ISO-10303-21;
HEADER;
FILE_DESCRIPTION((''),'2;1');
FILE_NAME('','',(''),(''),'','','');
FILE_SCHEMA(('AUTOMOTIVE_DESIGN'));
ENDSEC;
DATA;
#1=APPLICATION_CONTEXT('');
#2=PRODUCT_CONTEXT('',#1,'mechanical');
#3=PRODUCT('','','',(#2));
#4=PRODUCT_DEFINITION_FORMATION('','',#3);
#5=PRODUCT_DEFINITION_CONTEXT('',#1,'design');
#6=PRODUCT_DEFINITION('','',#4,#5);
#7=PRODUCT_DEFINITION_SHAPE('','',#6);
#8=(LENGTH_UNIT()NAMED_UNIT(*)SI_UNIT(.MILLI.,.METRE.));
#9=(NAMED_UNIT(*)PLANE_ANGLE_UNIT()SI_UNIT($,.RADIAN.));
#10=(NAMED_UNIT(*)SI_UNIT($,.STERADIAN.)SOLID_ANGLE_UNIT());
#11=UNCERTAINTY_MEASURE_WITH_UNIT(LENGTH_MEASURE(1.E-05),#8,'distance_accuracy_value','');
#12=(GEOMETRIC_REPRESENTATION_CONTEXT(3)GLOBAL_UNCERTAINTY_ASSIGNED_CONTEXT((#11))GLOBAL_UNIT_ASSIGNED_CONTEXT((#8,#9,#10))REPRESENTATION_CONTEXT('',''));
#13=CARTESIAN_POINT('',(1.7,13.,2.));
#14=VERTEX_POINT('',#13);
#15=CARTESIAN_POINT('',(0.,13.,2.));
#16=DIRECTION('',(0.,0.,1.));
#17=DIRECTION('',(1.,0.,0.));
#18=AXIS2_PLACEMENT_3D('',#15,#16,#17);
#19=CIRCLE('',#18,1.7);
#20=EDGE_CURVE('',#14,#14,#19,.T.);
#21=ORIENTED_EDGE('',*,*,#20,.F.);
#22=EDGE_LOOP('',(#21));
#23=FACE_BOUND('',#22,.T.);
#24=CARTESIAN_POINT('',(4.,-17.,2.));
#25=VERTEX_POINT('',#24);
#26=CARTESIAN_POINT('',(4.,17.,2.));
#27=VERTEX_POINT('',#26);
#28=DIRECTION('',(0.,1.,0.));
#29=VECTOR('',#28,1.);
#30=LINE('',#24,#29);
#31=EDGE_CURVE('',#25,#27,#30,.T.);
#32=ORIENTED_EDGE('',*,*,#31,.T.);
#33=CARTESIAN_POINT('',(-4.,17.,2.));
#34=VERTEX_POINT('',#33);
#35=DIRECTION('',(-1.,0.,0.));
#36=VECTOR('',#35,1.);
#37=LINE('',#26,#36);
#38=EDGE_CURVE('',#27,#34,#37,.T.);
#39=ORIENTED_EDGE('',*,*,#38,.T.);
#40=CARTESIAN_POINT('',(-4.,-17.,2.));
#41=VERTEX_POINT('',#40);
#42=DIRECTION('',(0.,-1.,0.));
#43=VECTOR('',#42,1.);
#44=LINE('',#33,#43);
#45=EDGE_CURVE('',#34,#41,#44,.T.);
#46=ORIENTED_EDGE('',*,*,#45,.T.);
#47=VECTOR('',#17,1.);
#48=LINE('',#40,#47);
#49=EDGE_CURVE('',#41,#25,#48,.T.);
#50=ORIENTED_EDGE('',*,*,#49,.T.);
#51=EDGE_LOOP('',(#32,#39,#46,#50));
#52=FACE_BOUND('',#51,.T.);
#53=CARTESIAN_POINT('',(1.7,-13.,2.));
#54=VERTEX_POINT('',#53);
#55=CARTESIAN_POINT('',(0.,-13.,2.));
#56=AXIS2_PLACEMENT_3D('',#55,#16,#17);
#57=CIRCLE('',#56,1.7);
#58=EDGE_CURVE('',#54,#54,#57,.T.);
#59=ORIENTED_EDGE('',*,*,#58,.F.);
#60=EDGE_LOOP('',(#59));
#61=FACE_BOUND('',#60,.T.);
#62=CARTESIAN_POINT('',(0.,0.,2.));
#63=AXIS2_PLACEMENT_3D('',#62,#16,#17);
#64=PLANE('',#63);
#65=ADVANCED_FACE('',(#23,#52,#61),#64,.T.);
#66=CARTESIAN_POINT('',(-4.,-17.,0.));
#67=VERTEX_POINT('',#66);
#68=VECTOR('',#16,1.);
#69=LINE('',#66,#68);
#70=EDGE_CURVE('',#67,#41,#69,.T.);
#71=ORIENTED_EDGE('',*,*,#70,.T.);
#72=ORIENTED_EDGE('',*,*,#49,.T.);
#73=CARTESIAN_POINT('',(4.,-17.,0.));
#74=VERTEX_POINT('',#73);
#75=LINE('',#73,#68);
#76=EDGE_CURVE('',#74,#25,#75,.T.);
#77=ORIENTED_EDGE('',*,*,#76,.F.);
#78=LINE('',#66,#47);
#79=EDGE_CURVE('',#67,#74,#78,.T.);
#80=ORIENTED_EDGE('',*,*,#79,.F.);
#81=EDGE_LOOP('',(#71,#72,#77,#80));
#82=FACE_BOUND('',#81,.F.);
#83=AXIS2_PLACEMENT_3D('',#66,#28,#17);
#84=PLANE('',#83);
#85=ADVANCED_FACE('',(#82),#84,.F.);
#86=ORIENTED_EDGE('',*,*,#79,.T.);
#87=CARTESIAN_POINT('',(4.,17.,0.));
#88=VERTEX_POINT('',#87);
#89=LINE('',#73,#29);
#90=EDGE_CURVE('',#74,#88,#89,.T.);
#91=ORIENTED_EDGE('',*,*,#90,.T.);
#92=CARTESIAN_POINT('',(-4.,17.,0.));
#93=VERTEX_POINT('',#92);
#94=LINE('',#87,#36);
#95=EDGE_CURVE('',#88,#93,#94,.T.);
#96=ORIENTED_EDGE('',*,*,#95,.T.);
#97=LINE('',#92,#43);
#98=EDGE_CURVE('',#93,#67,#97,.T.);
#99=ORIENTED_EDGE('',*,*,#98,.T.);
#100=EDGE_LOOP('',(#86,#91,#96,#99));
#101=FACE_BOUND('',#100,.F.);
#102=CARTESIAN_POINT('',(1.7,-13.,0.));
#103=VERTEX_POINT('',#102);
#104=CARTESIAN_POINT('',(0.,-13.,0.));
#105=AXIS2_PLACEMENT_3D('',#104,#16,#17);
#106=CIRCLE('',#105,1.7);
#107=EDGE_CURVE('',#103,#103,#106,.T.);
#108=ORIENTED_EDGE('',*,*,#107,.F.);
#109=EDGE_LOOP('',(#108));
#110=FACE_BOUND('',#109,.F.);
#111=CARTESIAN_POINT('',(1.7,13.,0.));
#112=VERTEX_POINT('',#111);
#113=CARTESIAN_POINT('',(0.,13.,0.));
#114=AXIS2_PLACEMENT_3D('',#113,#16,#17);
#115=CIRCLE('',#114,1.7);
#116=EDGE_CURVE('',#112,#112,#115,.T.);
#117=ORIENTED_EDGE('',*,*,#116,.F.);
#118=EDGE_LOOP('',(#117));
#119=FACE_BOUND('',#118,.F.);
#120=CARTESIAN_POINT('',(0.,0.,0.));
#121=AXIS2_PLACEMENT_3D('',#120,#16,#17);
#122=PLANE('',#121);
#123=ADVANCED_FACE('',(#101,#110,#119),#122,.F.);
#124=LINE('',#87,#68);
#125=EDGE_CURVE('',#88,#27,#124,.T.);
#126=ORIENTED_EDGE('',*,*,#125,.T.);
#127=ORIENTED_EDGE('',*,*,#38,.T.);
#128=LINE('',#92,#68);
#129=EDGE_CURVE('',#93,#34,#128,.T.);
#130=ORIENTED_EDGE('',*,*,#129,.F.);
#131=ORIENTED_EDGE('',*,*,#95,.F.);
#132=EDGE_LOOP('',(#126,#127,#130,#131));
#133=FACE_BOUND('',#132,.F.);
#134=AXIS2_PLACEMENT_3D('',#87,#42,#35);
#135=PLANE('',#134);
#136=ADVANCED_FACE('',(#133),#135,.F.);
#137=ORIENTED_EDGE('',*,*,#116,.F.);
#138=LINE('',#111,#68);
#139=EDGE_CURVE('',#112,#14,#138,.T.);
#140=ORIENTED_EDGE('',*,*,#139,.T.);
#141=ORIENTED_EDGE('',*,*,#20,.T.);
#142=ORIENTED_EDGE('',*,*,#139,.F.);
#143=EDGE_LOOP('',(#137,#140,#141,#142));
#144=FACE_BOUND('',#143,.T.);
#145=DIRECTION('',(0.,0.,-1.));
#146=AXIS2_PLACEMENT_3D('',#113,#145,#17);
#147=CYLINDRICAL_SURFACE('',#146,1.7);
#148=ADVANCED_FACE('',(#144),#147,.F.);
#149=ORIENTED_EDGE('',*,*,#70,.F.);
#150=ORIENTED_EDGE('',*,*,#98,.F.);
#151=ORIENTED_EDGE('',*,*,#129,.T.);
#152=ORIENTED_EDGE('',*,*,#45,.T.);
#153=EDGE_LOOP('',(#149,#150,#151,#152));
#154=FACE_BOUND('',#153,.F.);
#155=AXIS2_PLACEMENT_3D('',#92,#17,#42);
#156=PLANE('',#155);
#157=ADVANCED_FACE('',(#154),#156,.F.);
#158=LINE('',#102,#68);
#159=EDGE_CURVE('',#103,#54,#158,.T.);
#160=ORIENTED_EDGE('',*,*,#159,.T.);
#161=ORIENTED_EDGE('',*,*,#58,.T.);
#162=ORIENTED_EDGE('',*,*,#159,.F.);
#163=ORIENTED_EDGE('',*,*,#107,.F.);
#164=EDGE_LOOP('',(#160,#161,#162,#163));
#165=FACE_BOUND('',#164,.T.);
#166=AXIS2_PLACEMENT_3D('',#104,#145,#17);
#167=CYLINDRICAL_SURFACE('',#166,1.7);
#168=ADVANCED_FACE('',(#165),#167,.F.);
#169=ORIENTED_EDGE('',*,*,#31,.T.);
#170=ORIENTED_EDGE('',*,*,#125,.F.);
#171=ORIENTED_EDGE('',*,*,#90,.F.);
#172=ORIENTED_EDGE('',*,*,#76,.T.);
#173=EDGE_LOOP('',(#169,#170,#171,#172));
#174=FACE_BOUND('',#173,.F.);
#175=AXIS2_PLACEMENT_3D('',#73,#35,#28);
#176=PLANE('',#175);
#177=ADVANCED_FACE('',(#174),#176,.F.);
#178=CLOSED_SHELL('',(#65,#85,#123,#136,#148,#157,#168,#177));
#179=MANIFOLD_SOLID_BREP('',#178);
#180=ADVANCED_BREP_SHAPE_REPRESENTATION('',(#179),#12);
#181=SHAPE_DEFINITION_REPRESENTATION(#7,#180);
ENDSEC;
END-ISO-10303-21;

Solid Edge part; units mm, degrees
sketch "Sketch1" plane through (0, 0, 0) normal (0, 0, 1) x (1, 0, 0)
  line L0 (-4, -17) -> (4, -17)
  line L1 (4, -17) -> (4, 17)
  line L2 (4, 17) -> (-4, 17)
  line L3 (-4, 17) -> (-4, -17)
  circle A0 centre (0, -13) radius 1.7
  circle A1 centre (0, 13) radius 1.7
extrude "Protrusion1" add sketch "Sketch1" along normal blind 2
